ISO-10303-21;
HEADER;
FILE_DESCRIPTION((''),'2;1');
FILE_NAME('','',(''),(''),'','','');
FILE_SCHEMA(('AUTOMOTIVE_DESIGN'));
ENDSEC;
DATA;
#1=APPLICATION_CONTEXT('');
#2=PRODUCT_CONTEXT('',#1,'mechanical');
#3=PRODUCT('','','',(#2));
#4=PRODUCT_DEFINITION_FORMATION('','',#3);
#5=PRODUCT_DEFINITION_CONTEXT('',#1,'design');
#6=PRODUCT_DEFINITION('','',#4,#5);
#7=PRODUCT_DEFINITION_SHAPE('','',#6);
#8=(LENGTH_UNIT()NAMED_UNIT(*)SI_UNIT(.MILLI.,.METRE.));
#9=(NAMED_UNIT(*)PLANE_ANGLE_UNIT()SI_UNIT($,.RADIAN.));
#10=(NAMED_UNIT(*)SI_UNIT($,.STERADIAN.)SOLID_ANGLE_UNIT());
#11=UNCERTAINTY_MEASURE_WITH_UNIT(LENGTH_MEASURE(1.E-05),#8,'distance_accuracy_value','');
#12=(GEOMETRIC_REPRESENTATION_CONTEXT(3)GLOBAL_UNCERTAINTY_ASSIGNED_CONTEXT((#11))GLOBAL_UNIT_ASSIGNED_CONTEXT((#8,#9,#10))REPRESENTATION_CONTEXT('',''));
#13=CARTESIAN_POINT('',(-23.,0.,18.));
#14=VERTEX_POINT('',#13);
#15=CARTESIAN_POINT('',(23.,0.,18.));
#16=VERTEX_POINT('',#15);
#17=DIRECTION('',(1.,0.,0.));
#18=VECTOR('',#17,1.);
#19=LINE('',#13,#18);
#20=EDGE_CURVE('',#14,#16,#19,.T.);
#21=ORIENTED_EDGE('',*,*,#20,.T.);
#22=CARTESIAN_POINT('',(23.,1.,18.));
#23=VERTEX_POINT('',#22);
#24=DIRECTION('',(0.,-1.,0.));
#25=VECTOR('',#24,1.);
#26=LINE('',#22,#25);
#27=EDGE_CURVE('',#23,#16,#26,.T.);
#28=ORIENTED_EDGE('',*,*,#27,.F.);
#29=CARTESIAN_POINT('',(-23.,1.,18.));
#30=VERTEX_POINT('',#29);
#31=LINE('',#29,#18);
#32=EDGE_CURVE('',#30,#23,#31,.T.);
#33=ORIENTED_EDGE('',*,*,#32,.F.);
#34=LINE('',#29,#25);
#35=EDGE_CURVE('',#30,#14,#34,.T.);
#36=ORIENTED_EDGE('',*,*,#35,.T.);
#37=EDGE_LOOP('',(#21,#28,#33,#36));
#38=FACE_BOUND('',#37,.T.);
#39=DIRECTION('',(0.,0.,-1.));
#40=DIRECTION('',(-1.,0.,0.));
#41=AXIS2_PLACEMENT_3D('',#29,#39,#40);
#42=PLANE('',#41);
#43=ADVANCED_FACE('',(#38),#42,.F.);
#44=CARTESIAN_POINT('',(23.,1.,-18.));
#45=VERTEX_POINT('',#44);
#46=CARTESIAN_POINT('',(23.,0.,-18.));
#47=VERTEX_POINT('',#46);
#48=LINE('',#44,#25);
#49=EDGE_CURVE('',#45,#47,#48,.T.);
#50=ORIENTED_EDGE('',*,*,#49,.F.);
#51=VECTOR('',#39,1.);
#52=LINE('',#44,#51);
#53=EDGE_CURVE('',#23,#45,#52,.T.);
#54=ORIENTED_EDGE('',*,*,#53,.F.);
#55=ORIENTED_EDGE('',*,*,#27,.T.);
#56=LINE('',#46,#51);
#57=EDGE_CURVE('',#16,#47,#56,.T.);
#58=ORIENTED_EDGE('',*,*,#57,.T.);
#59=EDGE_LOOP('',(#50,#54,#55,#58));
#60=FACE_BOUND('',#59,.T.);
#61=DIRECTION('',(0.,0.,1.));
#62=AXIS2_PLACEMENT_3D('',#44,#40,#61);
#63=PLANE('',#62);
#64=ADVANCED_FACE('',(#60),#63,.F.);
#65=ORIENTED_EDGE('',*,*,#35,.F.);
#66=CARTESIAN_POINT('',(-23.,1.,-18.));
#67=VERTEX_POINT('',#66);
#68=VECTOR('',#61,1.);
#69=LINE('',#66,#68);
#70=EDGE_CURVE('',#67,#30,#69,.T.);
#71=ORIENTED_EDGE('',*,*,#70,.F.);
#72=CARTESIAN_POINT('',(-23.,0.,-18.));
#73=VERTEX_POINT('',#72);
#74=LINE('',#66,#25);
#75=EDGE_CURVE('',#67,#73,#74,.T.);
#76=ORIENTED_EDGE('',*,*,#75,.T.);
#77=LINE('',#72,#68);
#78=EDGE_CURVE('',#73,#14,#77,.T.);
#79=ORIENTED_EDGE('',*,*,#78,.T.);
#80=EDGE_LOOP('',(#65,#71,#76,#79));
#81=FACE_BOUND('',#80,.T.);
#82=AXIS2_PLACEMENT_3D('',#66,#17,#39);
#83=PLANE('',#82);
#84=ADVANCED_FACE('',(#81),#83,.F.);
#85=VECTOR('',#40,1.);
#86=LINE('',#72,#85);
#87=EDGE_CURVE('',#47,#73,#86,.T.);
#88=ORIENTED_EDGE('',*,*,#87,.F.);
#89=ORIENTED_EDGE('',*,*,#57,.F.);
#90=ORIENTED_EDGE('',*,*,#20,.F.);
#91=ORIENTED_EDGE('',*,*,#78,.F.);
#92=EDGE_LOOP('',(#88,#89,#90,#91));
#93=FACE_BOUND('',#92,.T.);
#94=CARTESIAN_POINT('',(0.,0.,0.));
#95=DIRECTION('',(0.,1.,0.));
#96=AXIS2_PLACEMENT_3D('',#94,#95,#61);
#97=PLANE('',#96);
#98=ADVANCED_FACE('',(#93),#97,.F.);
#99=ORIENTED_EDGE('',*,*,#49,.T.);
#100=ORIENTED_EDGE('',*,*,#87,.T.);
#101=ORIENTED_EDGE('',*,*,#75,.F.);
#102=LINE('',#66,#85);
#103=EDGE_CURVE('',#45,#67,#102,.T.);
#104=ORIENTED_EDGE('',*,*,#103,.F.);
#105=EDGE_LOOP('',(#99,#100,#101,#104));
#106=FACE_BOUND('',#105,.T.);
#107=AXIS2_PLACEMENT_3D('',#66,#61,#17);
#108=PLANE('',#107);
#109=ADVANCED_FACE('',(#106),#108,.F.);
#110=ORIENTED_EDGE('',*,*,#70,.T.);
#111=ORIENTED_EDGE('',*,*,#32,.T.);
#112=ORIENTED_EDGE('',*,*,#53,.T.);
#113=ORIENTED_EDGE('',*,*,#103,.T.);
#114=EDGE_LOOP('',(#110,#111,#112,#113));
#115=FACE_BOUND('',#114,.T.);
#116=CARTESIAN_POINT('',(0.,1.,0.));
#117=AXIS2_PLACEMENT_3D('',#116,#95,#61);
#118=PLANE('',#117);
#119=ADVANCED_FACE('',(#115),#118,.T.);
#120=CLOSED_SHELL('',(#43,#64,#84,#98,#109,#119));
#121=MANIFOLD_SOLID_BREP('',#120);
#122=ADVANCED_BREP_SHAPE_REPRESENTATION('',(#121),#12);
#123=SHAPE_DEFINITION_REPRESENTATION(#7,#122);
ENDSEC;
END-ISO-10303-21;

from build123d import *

# Parameters (mm, degrees)
ESQUISSE1_W        = 46
ESQUISSE1_H        = 36
BOSS_EXTRU_1_DEPTH = 1


with BuildPart() as part:
    # Esquisse1 → Boss.-Extru.1 (new body)
    with BuildSketch(Plane(origin=(0, 0, 0), x_dir=(1, 0, 0), z_dir=(0, 1, 0))):
        Rectangle(ESQUISSE1_W, ESQUISSE1_H)
    extrude(amount=BOSS_EXTRU_1_DEPTH)


solid = part.part
